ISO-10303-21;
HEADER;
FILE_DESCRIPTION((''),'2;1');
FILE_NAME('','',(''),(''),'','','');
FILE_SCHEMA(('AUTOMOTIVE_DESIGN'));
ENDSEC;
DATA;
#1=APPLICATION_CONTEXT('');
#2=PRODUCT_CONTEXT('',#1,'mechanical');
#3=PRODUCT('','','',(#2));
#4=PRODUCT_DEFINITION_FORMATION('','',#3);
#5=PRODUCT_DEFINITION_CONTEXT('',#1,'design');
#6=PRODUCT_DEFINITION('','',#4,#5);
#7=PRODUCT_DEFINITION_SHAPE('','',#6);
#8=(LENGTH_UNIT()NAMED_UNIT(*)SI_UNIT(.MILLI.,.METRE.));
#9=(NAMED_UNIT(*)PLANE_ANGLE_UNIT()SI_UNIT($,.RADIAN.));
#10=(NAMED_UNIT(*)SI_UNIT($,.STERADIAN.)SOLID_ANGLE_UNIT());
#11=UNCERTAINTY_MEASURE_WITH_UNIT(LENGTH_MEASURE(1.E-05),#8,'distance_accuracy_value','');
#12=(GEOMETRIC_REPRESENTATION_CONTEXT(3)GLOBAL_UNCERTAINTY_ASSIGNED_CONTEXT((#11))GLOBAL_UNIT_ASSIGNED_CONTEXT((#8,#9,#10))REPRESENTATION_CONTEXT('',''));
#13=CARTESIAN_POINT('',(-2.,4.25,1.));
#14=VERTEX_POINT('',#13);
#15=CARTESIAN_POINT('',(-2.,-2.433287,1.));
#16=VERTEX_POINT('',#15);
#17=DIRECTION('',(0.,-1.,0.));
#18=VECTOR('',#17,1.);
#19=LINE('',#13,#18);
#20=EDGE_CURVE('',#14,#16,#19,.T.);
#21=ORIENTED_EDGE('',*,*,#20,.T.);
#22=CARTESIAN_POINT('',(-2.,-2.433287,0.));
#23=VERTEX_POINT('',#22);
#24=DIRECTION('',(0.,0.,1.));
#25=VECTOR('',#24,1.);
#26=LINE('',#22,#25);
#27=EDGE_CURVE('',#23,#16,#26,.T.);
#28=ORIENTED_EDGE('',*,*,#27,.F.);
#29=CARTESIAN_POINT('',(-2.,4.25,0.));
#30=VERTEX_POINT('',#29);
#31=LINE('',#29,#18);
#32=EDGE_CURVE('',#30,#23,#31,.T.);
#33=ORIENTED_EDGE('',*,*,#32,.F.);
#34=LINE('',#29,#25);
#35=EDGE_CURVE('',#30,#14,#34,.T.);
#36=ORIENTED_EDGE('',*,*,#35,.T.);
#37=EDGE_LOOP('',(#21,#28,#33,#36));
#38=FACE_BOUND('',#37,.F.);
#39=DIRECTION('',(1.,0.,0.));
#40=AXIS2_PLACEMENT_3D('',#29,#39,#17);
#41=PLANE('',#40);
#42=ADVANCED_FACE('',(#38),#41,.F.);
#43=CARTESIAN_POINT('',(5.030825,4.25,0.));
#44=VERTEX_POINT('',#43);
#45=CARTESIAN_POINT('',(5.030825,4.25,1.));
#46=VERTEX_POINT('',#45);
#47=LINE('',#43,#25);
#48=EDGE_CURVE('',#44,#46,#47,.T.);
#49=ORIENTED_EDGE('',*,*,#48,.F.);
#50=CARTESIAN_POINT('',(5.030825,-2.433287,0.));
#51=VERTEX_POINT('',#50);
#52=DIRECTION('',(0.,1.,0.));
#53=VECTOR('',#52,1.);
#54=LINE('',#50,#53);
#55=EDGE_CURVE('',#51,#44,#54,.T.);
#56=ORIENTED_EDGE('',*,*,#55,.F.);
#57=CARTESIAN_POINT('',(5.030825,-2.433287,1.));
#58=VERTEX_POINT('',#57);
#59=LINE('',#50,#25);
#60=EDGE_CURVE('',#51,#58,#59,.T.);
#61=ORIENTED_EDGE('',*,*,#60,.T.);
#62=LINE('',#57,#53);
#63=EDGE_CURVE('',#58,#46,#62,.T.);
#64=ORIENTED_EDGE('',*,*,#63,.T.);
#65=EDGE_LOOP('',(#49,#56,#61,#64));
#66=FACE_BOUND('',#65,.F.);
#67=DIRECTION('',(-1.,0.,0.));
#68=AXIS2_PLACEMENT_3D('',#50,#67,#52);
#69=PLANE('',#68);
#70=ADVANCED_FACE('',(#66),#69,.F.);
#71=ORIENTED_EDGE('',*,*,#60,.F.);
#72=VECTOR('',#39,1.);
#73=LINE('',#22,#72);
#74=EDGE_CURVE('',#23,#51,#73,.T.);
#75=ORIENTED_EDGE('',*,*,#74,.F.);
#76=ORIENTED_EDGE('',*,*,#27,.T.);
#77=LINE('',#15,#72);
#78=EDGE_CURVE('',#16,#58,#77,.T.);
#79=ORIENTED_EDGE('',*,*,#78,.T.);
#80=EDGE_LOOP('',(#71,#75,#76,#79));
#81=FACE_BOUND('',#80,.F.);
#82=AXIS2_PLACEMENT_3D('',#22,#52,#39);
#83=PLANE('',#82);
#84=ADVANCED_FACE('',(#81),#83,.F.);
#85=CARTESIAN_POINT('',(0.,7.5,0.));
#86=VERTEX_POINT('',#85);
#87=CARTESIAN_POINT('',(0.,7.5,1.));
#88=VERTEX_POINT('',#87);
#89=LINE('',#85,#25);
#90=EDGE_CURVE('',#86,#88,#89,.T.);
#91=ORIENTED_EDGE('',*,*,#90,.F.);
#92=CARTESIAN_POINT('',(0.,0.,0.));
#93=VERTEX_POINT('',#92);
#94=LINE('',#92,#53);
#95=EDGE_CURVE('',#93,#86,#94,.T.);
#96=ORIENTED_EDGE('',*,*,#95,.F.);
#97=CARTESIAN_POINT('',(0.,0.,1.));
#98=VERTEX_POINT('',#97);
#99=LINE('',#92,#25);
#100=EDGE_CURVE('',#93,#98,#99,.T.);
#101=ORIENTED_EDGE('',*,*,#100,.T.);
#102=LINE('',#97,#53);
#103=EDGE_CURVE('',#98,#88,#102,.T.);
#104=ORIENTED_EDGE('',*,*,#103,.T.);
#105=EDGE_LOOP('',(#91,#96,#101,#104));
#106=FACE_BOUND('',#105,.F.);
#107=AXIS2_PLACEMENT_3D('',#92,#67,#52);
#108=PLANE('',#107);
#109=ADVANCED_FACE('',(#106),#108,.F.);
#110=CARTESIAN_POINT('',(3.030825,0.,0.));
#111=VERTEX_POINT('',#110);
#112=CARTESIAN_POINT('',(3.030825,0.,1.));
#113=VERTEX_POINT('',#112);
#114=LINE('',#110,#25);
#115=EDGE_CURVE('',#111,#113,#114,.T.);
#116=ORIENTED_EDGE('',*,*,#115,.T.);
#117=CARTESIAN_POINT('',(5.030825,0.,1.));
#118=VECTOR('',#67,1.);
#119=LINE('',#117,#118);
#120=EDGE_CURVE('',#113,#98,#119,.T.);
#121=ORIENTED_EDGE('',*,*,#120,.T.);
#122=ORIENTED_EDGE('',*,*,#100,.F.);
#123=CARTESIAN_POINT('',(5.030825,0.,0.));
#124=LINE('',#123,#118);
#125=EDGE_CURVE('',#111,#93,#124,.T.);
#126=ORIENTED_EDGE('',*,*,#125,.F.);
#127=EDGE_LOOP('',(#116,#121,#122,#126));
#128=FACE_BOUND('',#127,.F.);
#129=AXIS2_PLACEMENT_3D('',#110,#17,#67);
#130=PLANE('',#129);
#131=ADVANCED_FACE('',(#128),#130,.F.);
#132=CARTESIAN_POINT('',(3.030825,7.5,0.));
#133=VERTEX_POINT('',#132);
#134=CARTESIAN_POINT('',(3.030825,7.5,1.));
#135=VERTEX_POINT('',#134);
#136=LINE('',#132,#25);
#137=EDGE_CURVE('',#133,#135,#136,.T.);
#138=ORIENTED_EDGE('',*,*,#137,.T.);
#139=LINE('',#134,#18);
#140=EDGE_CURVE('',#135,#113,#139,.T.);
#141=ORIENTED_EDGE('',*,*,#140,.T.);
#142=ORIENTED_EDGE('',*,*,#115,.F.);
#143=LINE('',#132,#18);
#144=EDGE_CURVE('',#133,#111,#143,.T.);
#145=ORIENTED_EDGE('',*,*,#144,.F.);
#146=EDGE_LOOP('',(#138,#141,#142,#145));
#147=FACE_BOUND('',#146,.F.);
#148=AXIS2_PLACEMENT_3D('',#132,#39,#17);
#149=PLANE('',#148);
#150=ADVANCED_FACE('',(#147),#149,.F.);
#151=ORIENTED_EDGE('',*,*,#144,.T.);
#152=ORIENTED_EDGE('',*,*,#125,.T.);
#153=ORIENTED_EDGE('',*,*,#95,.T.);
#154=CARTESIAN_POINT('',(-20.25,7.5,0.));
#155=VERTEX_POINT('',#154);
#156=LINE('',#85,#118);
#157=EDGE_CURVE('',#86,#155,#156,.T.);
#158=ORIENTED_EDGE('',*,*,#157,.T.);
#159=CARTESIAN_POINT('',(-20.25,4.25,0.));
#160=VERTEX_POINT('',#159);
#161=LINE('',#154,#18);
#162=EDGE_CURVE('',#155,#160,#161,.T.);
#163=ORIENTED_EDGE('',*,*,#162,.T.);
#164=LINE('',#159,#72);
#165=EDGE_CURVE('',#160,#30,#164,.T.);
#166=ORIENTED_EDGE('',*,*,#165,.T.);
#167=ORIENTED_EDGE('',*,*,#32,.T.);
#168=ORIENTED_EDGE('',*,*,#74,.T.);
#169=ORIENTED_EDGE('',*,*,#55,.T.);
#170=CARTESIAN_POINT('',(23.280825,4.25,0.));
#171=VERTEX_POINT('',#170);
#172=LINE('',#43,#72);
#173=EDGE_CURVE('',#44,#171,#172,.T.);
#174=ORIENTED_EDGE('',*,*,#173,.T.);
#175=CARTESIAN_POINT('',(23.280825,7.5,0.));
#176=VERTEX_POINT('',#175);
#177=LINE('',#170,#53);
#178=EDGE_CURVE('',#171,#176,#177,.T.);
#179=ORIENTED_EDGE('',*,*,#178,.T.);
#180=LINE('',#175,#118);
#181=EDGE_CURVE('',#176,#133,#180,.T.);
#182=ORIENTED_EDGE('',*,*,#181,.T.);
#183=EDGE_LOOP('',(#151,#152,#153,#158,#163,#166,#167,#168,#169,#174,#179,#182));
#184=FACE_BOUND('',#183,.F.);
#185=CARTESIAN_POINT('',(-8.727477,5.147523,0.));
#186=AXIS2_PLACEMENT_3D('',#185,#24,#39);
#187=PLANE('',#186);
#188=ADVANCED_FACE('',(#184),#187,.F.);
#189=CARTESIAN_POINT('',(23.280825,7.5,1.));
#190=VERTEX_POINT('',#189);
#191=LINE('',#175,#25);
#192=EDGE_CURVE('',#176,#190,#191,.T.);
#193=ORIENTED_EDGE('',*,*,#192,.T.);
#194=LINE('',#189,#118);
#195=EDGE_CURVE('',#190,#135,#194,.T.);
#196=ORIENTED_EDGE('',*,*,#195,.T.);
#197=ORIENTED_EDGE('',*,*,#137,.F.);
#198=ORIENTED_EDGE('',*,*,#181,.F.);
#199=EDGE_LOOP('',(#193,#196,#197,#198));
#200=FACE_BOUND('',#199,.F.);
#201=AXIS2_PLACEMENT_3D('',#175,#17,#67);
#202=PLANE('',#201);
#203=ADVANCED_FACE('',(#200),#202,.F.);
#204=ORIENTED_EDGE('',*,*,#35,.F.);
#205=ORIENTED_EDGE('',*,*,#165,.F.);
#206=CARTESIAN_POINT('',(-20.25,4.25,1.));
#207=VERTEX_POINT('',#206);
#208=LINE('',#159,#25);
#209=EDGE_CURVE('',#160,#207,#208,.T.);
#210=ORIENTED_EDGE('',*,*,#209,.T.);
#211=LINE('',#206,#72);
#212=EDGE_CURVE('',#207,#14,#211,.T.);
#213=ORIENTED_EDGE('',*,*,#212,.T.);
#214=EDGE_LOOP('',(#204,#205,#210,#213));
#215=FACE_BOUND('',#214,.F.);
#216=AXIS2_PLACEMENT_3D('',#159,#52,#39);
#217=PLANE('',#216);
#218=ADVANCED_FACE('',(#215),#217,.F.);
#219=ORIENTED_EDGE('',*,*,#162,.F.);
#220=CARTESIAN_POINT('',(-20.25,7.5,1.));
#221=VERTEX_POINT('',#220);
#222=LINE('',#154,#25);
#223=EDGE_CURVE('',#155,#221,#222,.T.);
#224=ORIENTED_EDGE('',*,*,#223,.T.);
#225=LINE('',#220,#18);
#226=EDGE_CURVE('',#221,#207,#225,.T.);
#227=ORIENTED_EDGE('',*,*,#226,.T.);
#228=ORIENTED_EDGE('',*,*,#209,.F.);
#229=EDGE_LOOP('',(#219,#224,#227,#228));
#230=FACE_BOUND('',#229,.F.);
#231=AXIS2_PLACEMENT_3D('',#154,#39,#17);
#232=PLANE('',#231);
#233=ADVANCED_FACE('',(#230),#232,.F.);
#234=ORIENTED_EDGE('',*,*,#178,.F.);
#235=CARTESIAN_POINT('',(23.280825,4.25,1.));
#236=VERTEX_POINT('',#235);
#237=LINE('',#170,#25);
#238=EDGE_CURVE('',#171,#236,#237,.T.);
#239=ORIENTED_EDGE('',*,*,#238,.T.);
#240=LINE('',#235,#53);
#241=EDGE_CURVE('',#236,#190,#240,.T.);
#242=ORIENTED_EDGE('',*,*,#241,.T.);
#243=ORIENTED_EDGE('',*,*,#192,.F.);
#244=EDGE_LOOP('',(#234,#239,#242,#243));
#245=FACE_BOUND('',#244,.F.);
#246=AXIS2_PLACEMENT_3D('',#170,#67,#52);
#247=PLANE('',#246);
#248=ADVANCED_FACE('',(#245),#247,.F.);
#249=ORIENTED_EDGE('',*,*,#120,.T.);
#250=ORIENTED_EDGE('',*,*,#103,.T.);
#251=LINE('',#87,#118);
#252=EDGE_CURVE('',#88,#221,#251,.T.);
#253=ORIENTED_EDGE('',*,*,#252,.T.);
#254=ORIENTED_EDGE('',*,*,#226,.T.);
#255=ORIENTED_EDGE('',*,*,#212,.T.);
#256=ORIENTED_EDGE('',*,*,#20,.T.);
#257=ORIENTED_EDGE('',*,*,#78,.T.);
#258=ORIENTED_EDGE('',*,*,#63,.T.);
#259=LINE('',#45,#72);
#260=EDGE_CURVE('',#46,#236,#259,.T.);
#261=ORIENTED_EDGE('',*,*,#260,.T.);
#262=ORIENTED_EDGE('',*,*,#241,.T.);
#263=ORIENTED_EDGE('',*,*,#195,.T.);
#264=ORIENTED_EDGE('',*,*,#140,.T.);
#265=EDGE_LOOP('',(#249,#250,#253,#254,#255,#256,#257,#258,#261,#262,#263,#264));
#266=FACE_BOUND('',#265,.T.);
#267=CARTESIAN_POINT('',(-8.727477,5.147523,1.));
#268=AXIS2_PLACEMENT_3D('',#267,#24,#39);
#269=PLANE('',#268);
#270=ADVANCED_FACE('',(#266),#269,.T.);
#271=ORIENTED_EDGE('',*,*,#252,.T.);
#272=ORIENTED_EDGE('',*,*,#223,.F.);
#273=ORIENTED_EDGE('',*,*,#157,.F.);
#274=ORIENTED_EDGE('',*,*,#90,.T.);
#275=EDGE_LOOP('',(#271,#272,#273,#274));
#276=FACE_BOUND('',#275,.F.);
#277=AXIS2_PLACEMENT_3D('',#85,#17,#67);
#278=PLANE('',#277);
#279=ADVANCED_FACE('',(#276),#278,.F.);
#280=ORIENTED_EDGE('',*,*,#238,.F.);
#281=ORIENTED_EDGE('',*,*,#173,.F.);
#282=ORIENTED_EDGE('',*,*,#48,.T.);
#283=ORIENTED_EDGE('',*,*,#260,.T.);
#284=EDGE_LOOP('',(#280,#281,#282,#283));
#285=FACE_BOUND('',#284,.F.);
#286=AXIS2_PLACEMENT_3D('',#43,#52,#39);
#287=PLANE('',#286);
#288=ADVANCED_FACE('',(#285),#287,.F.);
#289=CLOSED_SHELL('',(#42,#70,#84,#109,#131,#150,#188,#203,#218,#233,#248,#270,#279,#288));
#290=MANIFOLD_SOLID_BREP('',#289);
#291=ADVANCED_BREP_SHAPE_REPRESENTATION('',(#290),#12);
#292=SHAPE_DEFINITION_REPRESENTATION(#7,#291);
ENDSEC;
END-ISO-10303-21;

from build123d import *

# Parameters (mm, degrees)
F1_DEPTH = 1


with BuildPart() as f1:
    # F0 (on Top) → F1 (new body)
    with BuildSketch(Plane.XY):
        Polygon((-2, 0), (0, 0), (0, 7.5), (-20.25, 7.5), (-20.25, 4.25), (-2, 4.25), align=None)
        Polygon((3.030825, 0), (0, 0), (-2, 0), (-2, -2.433287), (5.030825, -2.433287), (5.030825, 0), align=None)
        Polygon((3.030825, 7.5), (3.030825, 0), (5.030825, 0), (5.030825, 4.25), (23.280825, 4.25), (23.280825, 7.5), align=None)
    extrude(amount=F1_DEPTH)


solid = f1.part
